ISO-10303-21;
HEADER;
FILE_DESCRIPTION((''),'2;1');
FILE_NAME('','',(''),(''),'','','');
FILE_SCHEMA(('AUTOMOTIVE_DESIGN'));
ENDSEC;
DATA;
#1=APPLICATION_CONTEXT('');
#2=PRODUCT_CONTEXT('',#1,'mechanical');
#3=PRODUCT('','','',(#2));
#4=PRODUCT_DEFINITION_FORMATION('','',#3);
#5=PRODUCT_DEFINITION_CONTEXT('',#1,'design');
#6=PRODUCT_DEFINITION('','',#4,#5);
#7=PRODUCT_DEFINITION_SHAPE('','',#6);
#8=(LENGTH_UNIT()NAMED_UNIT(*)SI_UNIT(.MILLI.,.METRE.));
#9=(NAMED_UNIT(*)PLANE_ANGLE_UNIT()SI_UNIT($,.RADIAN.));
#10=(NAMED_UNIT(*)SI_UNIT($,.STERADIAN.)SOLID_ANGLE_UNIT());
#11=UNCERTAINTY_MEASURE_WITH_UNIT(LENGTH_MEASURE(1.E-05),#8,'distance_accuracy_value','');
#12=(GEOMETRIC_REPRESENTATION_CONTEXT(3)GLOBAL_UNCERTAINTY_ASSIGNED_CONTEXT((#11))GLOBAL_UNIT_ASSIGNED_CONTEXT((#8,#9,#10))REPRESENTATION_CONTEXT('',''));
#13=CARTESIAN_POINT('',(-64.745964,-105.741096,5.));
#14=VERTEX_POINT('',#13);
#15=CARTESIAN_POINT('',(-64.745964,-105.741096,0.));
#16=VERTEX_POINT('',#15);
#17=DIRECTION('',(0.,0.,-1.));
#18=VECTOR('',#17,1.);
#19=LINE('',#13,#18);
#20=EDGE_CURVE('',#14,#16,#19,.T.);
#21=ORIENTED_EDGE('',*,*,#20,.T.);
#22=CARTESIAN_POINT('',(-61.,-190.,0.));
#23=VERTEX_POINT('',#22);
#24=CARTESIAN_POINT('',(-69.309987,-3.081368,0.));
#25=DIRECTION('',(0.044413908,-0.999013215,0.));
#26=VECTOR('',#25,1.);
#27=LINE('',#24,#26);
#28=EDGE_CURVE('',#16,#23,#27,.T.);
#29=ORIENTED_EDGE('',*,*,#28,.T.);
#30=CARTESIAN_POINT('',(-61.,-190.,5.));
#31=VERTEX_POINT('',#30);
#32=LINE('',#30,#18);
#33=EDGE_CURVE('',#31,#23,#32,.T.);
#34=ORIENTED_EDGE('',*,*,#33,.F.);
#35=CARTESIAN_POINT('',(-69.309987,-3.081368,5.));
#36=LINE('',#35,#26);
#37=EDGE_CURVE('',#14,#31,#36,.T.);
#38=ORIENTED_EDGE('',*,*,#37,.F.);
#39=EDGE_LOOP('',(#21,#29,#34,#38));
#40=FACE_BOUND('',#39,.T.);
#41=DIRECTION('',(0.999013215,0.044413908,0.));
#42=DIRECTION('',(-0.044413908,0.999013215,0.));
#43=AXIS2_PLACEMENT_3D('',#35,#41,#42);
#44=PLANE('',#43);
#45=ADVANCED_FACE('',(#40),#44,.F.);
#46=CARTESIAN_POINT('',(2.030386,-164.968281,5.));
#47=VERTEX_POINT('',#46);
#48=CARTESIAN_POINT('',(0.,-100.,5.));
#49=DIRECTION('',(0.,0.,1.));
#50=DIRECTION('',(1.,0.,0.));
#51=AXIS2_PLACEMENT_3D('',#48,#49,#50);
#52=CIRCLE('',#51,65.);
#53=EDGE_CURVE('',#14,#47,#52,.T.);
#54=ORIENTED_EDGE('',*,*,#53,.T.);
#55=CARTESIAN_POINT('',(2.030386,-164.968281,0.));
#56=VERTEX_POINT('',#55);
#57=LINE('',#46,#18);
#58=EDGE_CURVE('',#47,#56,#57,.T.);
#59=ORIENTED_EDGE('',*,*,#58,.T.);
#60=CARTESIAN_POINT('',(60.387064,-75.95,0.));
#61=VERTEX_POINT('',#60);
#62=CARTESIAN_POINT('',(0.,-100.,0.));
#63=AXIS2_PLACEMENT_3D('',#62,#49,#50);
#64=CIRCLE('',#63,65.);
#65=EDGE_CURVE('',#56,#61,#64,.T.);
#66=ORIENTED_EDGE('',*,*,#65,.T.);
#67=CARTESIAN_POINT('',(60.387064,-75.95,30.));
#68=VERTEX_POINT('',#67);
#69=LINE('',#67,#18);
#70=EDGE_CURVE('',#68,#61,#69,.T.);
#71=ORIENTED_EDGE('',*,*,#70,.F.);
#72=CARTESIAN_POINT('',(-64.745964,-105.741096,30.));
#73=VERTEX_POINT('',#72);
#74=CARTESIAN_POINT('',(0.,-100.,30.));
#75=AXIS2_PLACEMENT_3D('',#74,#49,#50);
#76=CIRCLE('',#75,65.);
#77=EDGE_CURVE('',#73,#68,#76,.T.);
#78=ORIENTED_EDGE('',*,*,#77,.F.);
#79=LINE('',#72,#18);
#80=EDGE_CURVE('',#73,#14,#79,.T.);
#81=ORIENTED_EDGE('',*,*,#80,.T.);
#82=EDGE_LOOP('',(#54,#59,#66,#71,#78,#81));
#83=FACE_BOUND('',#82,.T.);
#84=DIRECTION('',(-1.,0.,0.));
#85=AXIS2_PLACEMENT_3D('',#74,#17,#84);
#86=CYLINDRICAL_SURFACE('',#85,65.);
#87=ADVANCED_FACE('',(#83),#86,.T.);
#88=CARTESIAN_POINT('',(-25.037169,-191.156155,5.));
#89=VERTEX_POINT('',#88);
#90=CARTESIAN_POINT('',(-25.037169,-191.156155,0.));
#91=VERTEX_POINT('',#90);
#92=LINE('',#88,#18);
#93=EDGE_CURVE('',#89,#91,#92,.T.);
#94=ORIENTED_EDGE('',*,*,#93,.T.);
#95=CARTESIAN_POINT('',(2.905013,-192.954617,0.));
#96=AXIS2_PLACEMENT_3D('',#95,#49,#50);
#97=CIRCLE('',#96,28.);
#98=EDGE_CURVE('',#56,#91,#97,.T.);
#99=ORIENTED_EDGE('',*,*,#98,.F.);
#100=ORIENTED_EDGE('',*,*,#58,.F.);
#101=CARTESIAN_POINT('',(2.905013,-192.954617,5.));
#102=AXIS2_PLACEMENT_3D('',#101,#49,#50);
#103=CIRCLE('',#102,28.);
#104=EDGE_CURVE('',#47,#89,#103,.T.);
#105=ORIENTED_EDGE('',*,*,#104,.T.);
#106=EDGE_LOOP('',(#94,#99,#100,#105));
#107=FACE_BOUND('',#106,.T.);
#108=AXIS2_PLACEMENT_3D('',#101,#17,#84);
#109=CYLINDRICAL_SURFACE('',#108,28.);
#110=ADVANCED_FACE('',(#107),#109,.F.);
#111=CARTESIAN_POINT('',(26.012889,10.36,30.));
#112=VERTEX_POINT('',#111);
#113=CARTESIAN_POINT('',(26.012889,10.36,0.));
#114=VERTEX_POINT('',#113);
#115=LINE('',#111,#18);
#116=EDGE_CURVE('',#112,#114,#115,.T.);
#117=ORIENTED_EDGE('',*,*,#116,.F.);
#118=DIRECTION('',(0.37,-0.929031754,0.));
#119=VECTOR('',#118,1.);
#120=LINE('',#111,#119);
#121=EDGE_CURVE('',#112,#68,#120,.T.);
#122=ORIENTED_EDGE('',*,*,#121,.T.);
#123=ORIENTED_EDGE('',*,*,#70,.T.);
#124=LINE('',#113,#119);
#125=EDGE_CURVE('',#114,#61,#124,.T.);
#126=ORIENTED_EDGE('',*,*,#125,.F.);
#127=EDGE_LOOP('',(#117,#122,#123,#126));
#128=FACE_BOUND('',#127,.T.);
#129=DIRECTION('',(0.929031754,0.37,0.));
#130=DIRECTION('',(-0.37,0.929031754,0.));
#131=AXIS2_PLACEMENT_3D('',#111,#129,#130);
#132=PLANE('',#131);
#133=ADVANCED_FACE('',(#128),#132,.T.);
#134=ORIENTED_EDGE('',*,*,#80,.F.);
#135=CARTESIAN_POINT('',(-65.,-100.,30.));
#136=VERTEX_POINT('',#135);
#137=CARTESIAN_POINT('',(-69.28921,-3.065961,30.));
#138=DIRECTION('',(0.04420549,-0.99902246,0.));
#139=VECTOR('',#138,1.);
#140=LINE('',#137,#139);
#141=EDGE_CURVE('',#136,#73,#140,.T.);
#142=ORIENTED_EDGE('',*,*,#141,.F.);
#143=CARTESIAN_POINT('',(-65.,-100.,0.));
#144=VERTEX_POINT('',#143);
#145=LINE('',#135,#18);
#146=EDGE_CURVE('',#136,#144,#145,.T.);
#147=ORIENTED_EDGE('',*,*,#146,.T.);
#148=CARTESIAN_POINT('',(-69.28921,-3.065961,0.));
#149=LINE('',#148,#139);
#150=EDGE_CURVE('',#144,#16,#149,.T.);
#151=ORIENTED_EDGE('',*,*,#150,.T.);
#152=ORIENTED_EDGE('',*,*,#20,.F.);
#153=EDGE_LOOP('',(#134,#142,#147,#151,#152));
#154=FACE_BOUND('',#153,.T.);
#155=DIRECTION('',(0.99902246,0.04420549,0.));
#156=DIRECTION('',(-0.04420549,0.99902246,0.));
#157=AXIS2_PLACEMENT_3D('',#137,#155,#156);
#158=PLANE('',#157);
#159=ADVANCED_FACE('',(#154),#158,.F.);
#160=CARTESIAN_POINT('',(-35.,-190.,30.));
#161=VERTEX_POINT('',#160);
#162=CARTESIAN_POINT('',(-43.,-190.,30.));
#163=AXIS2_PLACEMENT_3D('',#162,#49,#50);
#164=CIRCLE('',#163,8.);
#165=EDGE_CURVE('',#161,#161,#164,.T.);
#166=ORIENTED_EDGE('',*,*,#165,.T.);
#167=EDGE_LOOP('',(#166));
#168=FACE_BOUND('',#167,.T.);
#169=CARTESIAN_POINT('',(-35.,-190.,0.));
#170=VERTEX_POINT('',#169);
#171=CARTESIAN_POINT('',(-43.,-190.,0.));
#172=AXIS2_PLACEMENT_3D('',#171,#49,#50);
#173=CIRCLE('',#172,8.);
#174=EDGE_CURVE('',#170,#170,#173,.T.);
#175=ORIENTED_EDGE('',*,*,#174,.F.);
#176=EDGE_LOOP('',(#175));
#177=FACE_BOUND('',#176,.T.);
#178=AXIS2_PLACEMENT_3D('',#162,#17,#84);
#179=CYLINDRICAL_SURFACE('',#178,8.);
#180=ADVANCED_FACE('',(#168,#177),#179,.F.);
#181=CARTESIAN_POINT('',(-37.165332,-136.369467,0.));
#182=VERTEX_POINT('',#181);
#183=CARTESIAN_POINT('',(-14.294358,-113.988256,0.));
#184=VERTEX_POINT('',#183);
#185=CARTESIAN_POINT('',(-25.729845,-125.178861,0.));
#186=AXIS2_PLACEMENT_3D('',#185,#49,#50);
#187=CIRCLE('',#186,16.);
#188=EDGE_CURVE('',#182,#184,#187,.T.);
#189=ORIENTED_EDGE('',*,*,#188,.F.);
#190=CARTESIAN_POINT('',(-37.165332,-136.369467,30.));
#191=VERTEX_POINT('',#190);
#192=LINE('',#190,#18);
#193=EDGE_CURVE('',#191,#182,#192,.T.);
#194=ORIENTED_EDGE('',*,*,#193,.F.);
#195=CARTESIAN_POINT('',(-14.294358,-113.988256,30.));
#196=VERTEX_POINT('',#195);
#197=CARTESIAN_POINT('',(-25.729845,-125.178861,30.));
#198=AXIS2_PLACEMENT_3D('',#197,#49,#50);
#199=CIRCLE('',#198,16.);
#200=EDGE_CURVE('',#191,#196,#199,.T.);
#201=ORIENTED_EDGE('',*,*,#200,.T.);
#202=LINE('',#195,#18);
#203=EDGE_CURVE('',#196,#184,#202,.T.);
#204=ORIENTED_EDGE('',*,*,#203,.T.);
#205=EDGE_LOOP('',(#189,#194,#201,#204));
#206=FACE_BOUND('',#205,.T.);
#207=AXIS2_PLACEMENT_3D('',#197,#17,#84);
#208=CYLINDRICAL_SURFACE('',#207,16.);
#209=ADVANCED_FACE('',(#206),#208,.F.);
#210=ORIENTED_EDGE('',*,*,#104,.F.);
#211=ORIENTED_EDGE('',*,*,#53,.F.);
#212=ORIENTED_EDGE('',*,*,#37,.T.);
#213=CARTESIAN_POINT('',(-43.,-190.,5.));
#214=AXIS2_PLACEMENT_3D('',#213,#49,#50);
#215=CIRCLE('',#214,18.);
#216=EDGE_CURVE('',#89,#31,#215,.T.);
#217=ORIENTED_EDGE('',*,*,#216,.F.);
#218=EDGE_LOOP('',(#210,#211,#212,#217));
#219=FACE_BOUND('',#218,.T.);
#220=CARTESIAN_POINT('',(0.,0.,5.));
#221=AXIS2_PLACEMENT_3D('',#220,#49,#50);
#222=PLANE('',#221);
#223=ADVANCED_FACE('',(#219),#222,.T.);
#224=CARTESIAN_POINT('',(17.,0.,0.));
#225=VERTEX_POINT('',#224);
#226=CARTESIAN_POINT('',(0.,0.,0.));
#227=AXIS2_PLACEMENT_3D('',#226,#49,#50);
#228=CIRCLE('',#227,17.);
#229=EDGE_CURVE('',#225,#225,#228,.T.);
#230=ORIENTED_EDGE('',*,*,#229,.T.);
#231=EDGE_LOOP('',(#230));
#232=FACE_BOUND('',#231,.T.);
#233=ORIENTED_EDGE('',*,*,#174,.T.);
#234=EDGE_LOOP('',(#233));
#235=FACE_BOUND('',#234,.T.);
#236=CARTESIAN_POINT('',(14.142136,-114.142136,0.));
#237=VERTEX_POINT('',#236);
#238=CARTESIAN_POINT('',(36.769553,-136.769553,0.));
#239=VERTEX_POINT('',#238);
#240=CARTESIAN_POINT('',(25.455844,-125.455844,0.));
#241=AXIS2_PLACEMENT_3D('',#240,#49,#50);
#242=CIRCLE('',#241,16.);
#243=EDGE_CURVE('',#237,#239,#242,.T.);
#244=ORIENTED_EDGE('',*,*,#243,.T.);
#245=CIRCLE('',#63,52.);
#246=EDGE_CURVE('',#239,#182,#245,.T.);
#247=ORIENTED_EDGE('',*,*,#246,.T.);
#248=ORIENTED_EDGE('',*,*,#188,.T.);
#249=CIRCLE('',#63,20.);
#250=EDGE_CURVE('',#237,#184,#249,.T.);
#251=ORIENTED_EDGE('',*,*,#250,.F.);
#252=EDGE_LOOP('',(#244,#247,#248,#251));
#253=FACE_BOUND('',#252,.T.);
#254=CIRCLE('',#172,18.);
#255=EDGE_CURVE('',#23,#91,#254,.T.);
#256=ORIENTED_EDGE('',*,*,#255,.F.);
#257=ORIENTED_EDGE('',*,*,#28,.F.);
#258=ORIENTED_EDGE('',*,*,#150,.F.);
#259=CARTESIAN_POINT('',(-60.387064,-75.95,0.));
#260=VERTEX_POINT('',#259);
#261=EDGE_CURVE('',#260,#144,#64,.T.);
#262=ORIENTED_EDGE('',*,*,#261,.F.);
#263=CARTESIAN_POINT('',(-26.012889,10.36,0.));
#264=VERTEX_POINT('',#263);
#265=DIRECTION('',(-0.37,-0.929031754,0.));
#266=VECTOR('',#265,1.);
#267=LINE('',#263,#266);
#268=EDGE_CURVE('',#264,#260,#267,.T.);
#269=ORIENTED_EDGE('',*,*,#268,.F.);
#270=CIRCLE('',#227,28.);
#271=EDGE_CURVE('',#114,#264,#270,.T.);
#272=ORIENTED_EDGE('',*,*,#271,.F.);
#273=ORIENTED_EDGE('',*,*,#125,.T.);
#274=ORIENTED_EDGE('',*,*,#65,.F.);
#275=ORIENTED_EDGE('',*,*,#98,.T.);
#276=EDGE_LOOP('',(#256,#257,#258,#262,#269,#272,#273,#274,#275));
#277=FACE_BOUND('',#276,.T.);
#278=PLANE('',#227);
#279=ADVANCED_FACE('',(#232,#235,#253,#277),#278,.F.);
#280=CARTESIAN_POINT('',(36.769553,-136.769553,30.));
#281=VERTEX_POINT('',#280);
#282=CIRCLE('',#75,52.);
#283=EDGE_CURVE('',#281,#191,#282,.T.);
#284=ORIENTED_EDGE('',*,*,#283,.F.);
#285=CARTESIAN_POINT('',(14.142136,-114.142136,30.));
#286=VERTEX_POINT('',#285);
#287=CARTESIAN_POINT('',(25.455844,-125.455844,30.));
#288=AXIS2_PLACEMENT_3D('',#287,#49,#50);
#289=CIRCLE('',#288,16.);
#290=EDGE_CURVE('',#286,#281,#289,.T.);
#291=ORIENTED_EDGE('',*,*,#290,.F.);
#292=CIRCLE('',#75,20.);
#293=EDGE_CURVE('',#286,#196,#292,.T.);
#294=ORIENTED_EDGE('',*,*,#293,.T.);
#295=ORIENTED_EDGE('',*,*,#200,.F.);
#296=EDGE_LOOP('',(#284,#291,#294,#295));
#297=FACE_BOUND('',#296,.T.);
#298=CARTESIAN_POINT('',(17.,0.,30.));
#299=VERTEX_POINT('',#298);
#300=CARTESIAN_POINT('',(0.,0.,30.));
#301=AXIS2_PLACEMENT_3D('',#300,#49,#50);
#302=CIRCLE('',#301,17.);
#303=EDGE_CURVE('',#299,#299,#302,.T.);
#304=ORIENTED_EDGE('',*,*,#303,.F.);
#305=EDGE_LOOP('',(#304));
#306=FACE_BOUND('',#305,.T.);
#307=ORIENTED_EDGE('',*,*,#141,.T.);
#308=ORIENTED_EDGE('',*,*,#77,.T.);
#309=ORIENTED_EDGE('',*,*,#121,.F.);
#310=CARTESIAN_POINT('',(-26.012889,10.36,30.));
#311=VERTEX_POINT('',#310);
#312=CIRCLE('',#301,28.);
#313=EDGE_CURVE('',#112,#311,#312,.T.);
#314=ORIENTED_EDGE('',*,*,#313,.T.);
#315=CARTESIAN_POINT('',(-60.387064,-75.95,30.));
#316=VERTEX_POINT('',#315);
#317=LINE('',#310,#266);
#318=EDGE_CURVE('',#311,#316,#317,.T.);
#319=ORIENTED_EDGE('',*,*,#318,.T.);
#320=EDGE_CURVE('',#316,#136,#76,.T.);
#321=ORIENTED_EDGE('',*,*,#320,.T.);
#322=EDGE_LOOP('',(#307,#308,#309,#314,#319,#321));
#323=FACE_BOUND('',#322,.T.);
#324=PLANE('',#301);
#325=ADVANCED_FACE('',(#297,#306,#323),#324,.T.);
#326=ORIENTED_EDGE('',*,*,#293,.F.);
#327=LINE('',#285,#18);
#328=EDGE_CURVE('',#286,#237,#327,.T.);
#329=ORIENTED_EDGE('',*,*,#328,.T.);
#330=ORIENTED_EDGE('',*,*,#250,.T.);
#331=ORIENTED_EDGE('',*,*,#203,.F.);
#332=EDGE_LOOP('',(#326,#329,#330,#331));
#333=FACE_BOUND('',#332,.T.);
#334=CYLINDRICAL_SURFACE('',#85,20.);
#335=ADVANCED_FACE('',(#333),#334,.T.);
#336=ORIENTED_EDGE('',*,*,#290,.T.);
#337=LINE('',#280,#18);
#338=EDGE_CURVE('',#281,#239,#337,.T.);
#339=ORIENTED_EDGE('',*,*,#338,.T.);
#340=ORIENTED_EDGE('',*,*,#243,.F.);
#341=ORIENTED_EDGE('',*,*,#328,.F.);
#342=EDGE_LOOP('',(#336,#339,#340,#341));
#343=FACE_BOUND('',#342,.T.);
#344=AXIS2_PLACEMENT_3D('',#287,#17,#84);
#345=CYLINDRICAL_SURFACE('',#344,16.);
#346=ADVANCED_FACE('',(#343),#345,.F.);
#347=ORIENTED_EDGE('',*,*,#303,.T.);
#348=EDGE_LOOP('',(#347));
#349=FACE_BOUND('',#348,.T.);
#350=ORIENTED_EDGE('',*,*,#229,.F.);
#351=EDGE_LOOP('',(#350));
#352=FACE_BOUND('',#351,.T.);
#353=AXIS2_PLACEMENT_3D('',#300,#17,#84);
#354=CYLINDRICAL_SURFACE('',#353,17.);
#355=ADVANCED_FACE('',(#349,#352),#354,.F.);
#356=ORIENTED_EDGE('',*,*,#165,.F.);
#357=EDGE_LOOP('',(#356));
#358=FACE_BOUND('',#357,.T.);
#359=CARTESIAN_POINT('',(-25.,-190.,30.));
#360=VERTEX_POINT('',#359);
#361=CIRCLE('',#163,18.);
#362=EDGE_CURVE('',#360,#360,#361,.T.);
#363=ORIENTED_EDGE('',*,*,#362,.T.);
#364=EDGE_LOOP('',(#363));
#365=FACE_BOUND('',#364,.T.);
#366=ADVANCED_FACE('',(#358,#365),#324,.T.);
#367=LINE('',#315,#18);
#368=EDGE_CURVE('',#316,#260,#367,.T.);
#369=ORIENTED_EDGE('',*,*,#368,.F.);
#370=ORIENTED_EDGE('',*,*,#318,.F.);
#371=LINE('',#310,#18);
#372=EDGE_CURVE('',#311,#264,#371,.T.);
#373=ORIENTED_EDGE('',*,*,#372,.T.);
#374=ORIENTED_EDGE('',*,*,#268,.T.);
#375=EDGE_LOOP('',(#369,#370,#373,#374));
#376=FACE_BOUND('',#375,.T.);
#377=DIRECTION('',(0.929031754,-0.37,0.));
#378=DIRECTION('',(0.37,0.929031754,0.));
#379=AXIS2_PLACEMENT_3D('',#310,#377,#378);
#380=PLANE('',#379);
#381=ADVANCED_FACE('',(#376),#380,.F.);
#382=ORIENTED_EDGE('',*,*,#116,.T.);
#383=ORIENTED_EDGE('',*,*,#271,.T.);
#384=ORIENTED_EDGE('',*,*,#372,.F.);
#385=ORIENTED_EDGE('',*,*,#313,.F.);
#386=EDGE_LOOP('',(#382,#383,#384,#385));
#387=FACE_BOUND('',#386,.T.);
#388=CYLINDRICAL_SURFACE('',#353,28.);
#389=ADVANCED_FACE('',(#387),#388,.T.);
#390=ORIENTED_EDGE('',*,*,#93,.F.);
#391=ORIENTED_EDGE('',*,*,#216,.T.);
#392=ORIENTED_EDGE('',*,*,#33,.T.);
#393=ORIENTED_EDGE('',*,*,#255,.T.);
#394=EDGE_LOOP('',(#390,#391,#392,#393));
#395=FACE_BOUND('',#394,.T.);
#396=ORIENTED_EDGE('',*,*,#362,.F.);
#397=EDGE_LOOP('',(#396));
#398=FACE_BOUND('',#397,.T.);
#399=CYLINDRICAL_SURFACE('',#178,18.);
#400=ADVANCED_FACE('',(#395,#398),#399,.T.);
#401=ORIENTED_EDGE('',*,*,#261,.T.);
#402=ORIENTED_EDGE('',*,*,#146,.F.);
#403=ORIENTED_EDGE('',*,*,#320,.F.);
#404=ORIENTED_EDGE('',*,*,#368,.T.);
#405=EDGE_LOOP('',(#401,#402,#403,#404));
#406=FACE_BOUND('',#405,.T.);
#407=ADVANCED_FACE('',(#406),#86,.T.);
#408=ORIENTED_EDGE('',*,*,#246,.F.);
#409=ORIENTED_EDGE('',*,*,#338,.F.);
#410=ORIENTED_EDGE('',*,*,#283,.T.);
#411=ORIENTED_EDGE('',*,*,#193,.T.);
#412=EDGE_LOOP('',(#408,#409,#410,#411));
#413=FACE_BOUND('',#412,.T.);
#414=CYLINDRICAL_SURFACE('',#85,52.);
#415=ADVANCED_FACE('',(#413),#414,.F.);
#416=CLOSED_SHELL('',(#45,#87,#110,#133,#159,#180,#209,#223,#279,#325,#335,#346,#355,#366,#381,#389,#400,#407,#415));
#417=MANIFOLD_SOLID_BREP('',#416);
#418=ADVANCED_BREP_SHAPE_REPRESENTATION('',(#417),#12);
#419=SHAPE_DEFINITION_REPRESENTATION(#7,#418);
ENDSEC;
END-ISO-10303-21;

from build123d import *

# Parameters (mm, degrees)
SKETCH2_R           = 17
BOSS_EXTRUDE1_DEPTH = 30
SKETCH2_4_R         = 18
SKETCH2_4_R_2       = 8
BOSS_EXTRUDE2_DEPTH = 30
BOSS_EXTRUDE3_DEPTH = 5


with BuildPart() as part:
    # Sketch2 → Boss-Extrude1 (new body)
    with BuildSketch(Plane.XY):
        with BuildLine():
            Line((60.387064012, -75.95), (26.012889113, 10.36))
            ThreePointArc((26.012889113, 10.36), (0, 28), (-26.012889113, 10.36))
            Line((-26.012889113, 10.36), (-60.387064012, -75.95))
            ThreePointArc((-60.387064012, -75.95), (-63.836349993, -87.755800573), (-65, -100))
            Line((-65, -100), (-64.745963704, -105.741096069))
            ThreePointArc((-64.745963704, -105.741096069), (-43.885241002, -147.948781238), (0, -165))
            ThreePointArc((0, -165), (53.797072411, -136.481159521), (60.387064012, -75.95))
        make_face()
        with BuildLine():
            ThreePointArc((-37.165332046, -136.369466506), (0.28138508, -48.000761328), (36.769552622, -136.769552622))
            ThreePointArc((36.769552622, -136.769552622), (14.142135624, -136.769552622), (14.142135624, -114.142135624))
            ThreePointArc((14.142135624, -114.142135624), (0.108225031, -80.000292819), (-14.294358479, -113.988256349))
            ThreePointArc((-14.294358479, -113.988256349), (-14.539240183, -136.614348211), (-37.165332046, -136.369466506))
        make_face(mode=Mode.SUBTRACT)
        Circle(SKETCH2_R, mode=Mode.SUBTRACT)
    extrude(amount=BOSS_EXTRUDE1_DEPTH)



with BuildPart() as body_2:
    # Sketch2<4> → Boss-Extrude2 (new body)
    with BuildSketch(Plane.XY):
        with Locations((-43, -190)):
            Circle(SKETCH2_4_R)
        with Locations((-43, -190)):
            Circle(SKETCH2_4_R_2, mode=Mode.SUBTRACT)
    extrude(amount=BOSS_EXTRUDE2_DEPTH)


with BuildPart() as part_1:
    add(part.part)

    add(body_2.part)  # Boss-Extrude3 merges body 2
    # Sketch3 → Boss-Extrude3 (add)
    with BuildSketch(Plane.XY):
        with BuildLine():
            ThreePointArc((2.030385563, -164.968280987), (-43.130914594, -148.62843002), (-64.745963704, -105.741096069))
            Line((-64.745963704, -105.741096069), (-61, -190))
            ThreePointArc((-61, -190), (-43, -172), (-25, -190))
            ThreePointArc((-25, -190), (-25.009294588, -190.578375974), (-25.037168752, -191.15615464))
            ThreePointArc((-25.037168752, -191.15615464), (-16.564278272, -172.831330157), (2.030385563, -164.968280987))
        make_face()
    extrude(amount=BOSS_EXTRUDE3_DEPTH)


solid = part_1.part
